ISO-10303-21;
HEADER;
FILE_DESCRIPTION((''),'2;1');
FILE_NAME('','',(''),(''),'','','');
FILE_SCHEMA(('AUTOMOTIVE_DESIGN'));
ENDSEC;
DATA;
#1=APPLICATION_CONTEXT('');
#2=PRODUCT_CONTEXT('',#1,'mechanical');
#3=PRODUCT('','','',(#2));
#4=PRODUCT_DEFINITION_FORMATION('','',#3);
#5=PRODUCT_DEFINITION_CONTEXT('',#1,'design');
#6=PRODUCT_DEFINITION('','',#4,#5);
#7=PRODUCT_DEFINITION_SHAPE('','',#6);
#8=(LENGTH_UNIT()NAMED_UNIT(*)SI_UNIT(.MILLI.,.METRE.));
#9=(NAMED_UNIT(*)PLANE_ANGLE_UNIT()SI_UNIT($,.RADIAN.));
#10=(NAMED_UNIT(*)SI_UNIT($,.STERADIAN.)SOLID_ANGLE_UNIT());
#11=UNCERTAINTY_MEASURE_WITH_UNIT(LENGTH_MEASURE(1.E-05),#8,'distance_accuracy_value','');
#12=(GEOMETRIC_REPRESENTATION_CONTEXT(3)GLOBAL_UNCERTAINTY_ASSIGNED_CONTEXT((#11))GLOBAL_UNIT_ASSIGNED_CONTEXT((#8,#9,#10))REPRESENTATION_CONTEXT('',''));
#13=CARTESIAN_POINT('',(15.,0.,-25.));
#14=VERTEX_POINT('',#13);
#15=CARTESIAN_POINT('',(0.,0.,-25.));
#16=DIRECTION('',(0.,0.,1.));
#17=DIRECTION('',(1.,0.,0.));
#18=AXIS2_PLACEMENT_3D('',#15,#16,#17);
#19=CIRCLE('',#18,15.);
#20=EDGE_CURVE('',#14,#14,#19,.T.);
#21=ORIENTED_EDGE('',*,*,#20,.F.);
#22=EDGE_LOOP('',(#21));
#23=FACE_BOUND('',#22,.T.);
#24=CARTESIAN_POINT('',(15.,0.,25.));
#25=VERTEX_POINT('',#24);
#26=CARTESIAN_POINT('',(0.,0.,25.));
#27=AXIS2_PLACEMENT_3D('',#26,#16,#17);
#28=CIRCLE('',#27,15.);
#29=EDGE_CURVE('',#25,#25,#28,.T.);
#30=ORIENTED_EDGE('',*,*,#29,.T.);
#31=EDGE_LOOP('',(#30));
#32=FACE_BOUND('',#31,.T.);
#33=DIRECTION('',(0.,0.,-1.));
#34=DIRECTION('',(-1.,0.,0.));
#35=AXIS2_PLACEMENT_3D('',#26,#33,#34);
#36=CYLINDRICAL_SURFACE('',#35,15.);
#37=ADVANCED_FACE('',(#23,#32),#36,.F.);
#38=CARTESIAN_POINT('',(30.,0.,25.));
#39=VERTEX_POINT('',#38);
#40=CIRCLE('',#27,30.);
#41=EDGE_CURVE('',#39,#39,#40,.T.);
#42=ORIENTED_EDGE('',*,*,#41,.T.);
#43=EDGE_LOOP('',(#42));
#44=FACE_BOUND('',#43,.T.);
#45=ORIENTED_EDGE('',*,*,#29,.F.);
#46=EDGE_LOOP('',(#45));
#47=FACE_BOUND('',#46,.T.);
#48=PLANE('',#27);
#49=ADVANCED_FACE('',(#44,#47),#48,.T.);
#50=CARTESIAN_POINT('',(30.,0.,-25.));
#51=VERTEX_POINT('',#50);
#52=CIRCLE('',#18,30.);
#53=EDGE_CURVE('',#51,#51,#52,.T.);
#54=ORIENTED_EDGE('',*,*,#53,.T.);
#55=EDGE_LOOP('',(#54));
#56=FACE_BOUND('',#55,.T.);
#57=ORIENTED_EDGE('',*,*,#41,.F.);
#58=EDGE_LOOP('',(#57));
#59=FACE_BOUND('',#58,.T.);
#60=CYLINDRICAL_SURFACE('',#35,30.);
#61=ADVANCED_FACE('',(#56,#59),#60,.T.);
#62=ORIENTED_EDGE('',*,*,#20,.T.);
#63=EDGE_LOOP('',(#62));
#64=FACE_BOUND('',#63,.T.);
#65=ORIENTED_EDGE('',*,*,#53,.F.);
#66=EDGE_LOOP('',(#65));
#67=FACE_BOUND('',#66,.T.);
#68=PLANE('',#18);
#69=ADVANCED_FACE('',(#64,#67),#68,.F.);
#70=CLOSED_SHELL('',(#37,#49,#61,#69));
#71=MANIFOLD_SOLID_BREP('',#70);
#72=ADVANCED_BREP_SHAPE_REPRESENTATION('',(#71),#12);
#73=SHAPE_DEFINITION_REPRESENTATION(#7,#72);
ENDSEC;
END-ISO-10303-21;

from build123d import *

# Parameters (mm, degrees)
SKETCH1_R           = 30
SKETCH1_R_2         = 15
BOSS_EXTRUDE1_DEPTH = 25


with BuildPart() as part:
    # Sketch1 → Boss-Extrude1 (new body, symmetric)
    with BuildSketch(Plane.XY):
        Circle(SKETCH1_R)
        Circle(SKETCH1_R_2, mode=Mode.SUBTRACT)
    extrude(amount=BOSS_EXTRUDE1_DEPTH, both=True)


solid = part.part
